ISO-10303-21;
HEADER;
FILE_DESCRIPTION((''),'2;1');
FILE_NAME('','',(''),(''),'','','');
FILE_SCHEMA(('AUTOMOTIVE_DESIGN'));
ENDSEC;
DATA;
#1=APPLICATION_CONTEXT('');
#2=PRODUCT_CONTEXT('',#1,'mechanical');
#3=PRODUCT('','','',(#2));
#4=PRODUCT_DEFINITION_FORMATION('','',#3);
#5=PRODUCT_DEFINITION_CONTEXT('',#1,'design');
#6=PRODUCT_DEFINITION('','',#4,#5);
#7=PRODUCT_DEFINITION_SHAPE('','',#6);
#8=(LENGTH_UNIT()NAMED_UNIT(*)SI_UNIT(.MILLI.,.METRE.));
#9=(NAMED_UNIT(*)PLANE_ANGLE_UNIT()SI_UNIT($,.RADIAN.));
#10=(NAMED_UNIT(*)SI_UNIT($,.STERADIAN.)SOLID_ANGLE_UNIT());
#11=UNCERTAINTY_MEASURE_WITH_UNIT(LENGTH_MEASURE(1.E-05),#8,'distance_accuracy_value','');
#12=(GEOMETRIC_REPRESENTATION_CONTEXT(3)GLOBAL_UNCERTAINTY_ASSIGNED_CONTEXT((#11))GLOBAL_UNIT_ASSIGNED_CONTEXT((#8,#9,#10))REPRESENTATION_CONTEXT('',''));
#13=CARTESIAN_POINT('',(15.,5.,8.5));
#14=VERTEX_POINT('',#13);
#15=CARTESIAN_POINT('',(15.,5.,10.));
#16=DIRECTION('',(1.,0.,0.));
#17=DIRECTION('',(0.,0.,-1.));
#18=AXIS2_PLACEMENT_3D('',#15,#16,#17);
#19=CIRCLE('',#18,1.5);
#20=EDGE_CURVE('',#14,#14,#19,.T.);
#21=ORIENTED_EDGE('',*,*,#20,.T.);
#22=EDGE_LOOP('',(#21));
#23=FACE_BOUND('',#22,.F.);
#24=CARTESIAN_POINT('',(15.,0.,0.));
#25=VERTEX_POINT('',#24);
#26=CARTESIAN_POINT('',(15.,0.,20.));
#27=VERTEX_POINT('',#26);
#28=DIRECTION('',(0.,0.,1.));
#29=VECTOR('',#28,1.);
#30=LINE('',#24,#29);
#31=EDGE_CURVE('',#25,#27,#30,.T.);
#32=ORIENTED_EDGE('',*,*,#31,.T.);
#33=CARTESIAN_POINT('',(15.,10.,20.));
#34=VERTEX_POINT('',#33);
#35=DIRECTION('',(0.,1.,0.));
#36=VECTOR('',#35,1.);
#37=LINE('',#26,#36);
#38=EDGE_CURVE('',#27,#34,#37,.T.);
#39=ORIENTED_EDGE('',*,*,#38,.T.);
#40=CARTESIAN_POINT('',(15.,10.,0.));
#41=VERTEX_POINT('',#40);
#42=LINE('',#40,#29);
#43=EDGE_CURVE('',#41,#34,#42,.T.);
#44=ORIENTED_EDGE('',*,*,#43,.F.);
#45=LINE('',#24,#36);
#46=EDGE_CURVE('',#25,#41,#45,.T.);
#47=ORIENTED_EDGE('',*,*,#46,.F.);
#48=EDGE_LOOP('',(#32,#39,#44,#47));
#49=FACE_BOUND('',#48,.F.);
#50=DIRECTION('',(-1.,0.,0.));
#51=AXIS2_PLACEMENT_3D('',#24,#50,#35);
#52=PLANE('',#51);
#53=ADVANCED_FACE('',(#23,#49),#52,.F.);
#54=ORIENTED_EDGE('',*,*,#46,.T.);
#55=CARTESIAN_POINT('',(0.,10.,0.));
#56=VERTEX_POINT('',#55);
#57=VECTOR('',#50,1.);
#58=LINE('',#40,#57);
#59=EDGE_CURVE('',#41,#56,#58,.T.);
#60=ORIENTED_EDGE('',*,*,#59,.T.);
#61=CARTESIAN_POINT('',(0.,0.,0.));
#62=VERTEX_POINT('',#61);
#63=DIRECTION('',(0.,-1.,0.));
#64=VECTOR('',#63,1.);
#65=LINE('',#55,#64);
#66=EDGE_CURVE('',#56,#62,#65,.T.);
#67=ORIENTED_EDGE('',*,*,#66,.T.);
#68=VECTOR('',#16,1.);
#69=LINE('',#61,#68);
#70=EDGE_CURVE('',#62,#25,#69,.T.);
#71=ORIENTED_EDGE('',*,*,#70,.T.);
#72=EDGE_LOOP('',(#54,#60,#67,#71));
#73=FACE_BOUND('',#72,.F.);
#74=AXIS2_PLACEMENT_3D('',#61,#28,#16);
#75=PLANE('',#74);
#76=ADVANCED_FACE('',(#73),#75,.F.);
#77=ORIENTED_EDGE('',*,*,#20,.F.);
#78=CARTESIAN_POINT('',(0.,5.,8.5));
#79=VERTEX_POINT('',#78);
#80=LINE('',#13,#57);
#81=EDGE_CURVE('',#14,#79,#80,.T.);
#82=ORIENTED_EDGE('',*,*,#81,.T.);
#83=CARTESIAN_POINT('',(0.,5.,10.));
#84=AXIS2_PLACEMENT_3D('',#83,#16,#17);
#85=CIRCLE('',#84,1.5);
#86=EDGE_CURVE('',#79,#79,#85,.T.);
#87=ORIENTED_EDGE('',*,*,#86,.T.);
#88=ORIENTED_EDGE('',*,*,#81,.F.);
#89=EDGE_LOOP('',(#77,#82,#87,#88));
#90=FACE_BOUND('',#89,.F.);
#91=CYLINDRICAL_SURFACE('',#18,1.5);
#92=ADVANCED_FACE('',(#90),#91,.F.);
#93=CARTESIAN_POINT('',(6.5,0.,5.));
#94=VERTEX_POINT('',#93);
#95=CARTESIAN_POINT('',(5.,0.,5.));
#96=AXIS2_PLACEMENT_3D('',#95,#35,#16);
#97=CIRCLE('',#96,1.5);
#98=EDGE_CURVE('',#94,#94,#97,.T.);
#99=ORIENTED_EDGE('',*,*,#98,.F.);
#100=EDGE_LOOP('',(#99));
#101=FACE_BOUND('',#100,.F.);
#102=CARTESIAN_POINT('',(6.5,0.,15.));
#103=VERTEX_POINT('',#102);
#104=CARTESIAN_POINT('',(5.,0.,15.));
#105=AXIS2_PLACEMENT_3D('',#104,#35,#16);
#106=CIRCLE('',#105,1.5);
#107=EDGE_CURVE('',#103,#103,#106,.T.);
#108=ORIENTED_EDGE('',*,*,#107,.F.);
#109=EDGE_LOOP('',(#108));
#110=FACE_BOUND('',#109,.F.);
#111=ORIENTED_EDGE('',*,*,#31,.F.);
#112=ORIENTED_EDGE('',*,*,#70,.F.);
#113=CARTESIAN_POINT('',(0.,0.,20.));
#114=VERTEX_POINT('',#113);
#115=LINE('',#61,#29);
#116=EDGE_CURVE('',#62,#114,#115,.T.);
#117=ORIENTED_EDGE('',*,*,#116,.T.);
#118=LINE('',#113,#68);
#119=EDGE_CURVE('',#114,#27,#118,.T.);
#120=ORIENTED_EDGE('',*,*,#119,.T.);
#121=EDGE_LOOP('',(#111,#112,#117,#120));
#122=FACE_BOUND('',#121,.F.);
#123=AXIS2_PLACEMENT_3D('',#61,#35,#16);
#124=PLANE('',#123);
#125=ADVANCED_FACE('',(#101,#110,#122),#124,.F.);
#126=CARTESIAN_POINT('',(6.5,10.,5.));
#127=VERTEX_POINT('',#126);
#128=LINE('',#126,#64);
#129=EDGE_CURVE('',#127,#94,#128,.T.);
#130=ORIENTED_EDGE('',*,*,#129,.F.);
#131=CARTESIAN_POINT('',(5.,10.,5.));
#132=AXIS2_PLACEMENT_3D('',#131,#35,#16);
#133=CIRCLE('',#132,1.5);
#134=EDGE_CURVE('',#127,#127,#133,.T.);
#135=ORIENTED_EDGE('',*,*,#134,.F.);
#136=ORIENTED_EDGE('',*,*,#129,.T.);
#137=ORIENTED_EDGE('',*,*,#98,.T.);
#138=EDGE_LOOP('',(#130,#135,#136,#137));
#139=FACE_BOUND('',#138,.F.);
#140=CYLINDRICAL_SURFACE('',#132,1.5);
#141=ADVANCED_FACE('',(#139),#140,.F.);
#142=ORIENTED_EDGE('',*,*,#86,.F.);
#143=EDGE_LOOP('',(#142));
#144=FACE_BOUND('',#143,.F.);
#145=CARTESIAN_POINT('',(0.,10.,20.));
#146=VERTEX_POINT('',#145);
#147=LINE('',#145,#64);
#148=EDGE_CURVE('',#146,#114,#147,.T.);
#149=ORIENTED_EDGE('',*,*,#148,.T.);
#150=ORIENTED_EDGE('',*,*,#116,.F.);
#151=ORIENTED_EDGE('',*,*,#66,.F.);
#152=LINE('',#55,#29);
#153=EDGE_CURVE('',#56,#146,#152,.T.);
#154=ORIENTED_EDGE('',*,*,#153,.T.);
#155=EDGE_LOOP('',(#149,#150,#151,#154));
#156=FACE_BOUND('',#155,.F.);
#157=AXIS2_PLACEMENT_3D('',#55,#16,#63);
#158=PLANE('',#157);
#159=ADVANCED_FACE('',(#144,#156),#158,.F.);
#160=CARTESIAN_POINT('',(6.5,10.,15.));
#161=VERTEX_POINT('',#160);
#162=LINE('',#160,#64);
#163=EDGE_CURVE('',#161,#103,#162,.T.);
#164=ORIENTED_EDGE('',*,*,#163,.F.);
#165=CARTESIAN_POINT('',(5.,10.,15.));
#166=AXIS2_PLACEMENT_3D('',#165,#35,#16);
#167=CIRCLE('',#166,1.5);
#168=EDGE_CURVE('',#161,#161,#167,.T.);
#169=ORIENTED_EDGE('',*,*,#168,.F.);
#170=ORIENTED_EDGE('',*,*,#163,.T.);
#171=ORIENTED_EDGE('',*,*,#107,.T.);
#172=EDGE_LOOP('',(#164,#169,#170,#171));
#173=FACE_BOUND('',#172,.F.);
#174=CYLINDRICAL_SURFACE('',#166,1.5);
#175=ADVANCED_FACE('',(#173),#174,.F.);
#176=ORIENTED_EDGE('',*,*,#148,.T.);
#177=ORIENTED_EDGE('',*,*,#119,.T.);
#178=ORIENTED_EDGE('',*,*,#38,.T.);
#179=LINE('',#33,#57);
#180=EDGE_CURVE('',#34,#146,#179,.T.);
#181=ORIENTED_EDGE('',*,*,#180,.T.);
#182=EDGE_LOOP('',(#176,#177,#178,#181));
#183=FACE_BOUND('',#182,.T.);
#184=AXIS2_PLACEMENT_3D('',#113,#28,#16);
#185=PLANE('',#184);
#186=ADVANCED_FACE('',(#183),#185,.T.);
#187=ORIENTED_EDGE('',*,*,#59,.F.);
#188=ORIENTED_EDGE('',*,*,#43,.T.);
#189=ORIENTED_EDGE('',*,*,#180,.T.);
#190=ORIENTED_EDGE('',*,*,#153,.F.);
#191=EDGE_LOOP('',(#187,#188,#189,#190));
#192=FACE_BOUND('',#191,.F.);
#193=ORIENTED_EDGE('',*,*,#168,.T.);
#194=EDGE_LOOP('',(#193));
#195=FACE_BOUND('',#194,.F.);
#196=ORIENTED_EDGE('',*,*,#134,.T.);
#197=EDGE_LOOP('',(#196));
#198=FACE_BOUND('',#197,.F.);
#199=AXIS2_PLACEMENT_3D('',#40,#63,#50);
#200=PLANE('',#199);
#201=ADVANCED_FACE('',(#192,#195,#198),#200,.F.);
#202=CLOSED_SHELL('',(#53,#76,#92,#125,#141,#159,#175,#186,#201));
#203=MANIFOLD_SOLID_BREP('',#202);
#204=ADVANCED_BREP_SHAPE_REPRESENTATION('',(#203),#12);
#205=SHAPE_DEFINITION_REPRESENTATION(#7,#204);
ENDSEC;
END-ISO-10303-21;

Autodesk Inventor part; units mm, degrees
ref_plane "YZ Plane" through (0, 0, 0) normal (1, 0, 0) x (0, 1, 0)
ref_plane "XZ Plane" through (0, 0, 0) normal (0, 1, 0) x (-1, 0, 0)
ref_plane "XY Plane" through (0, 0, 0) normal (0, 0, 1) x (1, 0, 0)
sketch "Sketch1" plane through (0, 0, 0) normal (0, 0, 1) x (1, 0, 0)
  line L0 (0, 0) -> (15, 0)
  line L1 (15, 0) -> (15, 10)
  line L2 (15, 10) -> (0, 10)
  line L3 (0, 10) -> (0, 0)
  line L4 (1, 9) -> (14, 9)
  line L5 (14, 9) -> (14, 1)
  line L6 (14, 1) -> (1, 1)
  line L7 (1, 1) -> (1, 9)
  dimension "d0" = 15
  dimension "d1" = 10
  dimension "d2" = 13
  dimension "d3" = 8
  dimension "d4" = 1
  dimension "d5" = 1
extrude "Extrusion1" add sketch "Sketch1" along normal blind 20 contours L3 L2 L1 L0 | L4 L5 L6 L7
sketch "Sketch2" plane through (0, 10, 0) normal (0, 1, 0) x (1, 0, 0)
  line L0 (15, 0) -> (0, 0) projected
  line L1 (0, 0) -> (0, -20) projected
  line L2 (15, -20) -> (0, -20) projected
  line L3 (15, 0) -> (15, -20) projected
  circle A0 centre (5, -5) radius 1.5
  circle A1 centre (5, -15) radius 1.5
  dimension "d8" = 3
  dimension "d9" = 3
  dimension "d10" = 5
  dimension "d11" = 5
  dimension "d12" = 5
  dimension "d13" = 5
extrude "Extrusion2" cut sketch "Sketch2" against normal up to surface (10 mm away) contours A0 | A1
sketch "Sketch3" plane through (15, 0, 0) normal (1, 0, 0) x (0, 0, -1)
  line L0 (0, 0) -> (0, 10) projected
  line L1 (0, 10) -> (-20, 10) projected
  line L2 (-20, 0) -> (-20, 10) projected
  line L3 (0, 0) -> (-20, 0) projected
  circle A0 centre (-10, 5) radius 1.5
  dimension "d16" = 3
  dimension "d17" = 5
  dimension "d18" = 10
extrude "Extrusion3" cut sketch "Sketch3" against normal up to surface (15 mm away) contours A0
properties part number "profile1"
